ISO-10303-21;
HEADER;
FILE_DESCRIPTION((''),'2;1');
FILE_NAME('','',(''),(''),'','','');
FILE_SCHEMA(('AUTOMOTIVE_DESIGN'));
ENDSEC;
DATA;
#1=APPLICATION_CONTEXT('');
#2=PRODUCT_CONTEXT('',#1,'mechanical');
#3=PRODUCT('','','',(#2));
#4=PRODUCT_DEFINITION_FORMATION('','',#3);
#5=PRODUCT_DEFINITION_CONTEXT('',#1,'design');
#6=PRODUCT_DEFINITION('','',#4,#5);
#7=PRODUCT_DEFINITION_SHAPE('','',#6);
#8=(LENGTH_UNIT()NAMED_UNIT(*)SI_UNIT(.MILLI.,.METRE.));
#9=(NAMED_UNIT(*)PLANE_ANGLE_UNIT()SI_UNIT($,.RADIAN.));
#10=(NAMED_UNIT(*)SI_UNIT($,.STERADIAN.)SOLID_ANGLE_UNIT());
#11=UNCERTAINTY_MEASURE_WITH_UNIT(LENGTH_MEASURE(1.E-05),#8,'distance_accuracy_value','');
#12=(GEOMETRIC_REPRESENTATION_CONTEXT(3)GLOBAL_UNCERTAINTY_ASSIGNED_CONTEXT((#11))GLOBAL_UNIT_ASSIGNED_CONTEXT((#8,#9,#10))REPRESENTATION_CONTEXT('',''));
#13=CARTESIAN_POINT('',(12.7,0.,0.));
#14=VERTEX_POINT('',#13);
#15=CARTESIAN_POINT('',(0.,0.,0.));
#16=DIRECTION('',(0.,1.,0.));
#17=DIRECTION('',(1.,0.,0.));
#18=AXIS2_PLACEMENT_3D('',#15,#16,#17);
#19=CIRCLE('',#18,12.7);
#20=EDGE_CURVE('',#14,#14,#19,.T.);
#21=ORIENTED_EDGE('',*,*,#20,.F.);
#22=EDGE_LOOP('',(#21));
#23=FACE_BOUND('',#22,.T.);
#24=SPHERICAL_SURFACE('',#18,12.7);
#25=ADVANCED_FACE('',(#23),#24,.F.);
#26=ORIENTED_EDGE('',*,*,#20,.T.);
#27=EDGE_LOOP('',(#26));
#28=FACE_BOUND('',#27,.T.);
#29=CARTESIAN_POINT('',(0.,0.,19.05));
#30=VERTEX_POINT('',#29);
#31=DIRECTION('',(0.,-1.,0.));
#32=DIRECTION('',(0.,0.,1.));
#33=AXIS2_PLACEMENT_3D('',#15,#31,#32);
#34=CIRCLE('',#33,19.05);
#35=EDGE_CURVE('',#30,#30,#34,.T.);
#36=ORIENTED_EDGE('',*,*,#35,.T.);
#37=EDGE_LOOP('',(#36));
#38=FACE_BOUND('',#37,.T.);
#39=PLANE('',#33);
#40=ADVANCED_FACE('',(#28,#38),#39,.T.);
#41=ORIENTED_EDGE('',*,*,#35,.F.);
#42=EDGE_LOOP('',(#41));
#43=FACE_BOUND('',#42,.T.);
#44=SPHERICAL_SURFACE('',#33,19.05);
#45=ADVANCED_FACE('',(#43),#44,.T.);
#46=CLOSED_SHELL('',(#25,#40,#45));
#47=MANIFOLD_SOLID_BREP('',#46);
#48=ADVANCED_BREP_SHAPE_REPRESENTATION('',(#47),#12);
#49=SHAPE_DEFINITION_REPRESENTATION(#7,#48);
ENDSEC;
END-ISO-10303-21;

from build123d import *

# Parameters (mm, degrees)
REVOLVE3_ANGLE     = 180
CUT_REVOLVE1_ANGLE = 180


with BuildPart() as part:
    # Sketch1 → Revolve3 (revolve)
    with BuildSketch(Plane(origin=(0, 0, 0), x_dir=(1, 0, 0), z_dir=(0, 1, 0))):
        with BuildLine():
            Line((0, -19.05), (0, 19.05))
            ThreePointArc((0, 19.05), (-19.05, 0), (0, -19.05))
        make_face()
    revolve(axis=Axis((0, 0, 19.05), (0, 0, -1)), revolution_arc=REVOLVE3_ANGLE)

    # Sketch2 → Cut-Revolve1 (revolve, cut)
    with BuildSketch(Plane.XZ):
        with BuildLine():
            Line((-12.7, 0), (12.7, 0))
            ThreePointArc((12.7, 0), (0, 12.7), (-12.7, 0))
        make_face()
    revolve(axis=Axis((-12.7, 0, 0), (-1, 0, 0)), revolution_arc=CUT_REVOLVE1_ANGLE, mode=Mode.SUBTRACT)


solid = part.part
